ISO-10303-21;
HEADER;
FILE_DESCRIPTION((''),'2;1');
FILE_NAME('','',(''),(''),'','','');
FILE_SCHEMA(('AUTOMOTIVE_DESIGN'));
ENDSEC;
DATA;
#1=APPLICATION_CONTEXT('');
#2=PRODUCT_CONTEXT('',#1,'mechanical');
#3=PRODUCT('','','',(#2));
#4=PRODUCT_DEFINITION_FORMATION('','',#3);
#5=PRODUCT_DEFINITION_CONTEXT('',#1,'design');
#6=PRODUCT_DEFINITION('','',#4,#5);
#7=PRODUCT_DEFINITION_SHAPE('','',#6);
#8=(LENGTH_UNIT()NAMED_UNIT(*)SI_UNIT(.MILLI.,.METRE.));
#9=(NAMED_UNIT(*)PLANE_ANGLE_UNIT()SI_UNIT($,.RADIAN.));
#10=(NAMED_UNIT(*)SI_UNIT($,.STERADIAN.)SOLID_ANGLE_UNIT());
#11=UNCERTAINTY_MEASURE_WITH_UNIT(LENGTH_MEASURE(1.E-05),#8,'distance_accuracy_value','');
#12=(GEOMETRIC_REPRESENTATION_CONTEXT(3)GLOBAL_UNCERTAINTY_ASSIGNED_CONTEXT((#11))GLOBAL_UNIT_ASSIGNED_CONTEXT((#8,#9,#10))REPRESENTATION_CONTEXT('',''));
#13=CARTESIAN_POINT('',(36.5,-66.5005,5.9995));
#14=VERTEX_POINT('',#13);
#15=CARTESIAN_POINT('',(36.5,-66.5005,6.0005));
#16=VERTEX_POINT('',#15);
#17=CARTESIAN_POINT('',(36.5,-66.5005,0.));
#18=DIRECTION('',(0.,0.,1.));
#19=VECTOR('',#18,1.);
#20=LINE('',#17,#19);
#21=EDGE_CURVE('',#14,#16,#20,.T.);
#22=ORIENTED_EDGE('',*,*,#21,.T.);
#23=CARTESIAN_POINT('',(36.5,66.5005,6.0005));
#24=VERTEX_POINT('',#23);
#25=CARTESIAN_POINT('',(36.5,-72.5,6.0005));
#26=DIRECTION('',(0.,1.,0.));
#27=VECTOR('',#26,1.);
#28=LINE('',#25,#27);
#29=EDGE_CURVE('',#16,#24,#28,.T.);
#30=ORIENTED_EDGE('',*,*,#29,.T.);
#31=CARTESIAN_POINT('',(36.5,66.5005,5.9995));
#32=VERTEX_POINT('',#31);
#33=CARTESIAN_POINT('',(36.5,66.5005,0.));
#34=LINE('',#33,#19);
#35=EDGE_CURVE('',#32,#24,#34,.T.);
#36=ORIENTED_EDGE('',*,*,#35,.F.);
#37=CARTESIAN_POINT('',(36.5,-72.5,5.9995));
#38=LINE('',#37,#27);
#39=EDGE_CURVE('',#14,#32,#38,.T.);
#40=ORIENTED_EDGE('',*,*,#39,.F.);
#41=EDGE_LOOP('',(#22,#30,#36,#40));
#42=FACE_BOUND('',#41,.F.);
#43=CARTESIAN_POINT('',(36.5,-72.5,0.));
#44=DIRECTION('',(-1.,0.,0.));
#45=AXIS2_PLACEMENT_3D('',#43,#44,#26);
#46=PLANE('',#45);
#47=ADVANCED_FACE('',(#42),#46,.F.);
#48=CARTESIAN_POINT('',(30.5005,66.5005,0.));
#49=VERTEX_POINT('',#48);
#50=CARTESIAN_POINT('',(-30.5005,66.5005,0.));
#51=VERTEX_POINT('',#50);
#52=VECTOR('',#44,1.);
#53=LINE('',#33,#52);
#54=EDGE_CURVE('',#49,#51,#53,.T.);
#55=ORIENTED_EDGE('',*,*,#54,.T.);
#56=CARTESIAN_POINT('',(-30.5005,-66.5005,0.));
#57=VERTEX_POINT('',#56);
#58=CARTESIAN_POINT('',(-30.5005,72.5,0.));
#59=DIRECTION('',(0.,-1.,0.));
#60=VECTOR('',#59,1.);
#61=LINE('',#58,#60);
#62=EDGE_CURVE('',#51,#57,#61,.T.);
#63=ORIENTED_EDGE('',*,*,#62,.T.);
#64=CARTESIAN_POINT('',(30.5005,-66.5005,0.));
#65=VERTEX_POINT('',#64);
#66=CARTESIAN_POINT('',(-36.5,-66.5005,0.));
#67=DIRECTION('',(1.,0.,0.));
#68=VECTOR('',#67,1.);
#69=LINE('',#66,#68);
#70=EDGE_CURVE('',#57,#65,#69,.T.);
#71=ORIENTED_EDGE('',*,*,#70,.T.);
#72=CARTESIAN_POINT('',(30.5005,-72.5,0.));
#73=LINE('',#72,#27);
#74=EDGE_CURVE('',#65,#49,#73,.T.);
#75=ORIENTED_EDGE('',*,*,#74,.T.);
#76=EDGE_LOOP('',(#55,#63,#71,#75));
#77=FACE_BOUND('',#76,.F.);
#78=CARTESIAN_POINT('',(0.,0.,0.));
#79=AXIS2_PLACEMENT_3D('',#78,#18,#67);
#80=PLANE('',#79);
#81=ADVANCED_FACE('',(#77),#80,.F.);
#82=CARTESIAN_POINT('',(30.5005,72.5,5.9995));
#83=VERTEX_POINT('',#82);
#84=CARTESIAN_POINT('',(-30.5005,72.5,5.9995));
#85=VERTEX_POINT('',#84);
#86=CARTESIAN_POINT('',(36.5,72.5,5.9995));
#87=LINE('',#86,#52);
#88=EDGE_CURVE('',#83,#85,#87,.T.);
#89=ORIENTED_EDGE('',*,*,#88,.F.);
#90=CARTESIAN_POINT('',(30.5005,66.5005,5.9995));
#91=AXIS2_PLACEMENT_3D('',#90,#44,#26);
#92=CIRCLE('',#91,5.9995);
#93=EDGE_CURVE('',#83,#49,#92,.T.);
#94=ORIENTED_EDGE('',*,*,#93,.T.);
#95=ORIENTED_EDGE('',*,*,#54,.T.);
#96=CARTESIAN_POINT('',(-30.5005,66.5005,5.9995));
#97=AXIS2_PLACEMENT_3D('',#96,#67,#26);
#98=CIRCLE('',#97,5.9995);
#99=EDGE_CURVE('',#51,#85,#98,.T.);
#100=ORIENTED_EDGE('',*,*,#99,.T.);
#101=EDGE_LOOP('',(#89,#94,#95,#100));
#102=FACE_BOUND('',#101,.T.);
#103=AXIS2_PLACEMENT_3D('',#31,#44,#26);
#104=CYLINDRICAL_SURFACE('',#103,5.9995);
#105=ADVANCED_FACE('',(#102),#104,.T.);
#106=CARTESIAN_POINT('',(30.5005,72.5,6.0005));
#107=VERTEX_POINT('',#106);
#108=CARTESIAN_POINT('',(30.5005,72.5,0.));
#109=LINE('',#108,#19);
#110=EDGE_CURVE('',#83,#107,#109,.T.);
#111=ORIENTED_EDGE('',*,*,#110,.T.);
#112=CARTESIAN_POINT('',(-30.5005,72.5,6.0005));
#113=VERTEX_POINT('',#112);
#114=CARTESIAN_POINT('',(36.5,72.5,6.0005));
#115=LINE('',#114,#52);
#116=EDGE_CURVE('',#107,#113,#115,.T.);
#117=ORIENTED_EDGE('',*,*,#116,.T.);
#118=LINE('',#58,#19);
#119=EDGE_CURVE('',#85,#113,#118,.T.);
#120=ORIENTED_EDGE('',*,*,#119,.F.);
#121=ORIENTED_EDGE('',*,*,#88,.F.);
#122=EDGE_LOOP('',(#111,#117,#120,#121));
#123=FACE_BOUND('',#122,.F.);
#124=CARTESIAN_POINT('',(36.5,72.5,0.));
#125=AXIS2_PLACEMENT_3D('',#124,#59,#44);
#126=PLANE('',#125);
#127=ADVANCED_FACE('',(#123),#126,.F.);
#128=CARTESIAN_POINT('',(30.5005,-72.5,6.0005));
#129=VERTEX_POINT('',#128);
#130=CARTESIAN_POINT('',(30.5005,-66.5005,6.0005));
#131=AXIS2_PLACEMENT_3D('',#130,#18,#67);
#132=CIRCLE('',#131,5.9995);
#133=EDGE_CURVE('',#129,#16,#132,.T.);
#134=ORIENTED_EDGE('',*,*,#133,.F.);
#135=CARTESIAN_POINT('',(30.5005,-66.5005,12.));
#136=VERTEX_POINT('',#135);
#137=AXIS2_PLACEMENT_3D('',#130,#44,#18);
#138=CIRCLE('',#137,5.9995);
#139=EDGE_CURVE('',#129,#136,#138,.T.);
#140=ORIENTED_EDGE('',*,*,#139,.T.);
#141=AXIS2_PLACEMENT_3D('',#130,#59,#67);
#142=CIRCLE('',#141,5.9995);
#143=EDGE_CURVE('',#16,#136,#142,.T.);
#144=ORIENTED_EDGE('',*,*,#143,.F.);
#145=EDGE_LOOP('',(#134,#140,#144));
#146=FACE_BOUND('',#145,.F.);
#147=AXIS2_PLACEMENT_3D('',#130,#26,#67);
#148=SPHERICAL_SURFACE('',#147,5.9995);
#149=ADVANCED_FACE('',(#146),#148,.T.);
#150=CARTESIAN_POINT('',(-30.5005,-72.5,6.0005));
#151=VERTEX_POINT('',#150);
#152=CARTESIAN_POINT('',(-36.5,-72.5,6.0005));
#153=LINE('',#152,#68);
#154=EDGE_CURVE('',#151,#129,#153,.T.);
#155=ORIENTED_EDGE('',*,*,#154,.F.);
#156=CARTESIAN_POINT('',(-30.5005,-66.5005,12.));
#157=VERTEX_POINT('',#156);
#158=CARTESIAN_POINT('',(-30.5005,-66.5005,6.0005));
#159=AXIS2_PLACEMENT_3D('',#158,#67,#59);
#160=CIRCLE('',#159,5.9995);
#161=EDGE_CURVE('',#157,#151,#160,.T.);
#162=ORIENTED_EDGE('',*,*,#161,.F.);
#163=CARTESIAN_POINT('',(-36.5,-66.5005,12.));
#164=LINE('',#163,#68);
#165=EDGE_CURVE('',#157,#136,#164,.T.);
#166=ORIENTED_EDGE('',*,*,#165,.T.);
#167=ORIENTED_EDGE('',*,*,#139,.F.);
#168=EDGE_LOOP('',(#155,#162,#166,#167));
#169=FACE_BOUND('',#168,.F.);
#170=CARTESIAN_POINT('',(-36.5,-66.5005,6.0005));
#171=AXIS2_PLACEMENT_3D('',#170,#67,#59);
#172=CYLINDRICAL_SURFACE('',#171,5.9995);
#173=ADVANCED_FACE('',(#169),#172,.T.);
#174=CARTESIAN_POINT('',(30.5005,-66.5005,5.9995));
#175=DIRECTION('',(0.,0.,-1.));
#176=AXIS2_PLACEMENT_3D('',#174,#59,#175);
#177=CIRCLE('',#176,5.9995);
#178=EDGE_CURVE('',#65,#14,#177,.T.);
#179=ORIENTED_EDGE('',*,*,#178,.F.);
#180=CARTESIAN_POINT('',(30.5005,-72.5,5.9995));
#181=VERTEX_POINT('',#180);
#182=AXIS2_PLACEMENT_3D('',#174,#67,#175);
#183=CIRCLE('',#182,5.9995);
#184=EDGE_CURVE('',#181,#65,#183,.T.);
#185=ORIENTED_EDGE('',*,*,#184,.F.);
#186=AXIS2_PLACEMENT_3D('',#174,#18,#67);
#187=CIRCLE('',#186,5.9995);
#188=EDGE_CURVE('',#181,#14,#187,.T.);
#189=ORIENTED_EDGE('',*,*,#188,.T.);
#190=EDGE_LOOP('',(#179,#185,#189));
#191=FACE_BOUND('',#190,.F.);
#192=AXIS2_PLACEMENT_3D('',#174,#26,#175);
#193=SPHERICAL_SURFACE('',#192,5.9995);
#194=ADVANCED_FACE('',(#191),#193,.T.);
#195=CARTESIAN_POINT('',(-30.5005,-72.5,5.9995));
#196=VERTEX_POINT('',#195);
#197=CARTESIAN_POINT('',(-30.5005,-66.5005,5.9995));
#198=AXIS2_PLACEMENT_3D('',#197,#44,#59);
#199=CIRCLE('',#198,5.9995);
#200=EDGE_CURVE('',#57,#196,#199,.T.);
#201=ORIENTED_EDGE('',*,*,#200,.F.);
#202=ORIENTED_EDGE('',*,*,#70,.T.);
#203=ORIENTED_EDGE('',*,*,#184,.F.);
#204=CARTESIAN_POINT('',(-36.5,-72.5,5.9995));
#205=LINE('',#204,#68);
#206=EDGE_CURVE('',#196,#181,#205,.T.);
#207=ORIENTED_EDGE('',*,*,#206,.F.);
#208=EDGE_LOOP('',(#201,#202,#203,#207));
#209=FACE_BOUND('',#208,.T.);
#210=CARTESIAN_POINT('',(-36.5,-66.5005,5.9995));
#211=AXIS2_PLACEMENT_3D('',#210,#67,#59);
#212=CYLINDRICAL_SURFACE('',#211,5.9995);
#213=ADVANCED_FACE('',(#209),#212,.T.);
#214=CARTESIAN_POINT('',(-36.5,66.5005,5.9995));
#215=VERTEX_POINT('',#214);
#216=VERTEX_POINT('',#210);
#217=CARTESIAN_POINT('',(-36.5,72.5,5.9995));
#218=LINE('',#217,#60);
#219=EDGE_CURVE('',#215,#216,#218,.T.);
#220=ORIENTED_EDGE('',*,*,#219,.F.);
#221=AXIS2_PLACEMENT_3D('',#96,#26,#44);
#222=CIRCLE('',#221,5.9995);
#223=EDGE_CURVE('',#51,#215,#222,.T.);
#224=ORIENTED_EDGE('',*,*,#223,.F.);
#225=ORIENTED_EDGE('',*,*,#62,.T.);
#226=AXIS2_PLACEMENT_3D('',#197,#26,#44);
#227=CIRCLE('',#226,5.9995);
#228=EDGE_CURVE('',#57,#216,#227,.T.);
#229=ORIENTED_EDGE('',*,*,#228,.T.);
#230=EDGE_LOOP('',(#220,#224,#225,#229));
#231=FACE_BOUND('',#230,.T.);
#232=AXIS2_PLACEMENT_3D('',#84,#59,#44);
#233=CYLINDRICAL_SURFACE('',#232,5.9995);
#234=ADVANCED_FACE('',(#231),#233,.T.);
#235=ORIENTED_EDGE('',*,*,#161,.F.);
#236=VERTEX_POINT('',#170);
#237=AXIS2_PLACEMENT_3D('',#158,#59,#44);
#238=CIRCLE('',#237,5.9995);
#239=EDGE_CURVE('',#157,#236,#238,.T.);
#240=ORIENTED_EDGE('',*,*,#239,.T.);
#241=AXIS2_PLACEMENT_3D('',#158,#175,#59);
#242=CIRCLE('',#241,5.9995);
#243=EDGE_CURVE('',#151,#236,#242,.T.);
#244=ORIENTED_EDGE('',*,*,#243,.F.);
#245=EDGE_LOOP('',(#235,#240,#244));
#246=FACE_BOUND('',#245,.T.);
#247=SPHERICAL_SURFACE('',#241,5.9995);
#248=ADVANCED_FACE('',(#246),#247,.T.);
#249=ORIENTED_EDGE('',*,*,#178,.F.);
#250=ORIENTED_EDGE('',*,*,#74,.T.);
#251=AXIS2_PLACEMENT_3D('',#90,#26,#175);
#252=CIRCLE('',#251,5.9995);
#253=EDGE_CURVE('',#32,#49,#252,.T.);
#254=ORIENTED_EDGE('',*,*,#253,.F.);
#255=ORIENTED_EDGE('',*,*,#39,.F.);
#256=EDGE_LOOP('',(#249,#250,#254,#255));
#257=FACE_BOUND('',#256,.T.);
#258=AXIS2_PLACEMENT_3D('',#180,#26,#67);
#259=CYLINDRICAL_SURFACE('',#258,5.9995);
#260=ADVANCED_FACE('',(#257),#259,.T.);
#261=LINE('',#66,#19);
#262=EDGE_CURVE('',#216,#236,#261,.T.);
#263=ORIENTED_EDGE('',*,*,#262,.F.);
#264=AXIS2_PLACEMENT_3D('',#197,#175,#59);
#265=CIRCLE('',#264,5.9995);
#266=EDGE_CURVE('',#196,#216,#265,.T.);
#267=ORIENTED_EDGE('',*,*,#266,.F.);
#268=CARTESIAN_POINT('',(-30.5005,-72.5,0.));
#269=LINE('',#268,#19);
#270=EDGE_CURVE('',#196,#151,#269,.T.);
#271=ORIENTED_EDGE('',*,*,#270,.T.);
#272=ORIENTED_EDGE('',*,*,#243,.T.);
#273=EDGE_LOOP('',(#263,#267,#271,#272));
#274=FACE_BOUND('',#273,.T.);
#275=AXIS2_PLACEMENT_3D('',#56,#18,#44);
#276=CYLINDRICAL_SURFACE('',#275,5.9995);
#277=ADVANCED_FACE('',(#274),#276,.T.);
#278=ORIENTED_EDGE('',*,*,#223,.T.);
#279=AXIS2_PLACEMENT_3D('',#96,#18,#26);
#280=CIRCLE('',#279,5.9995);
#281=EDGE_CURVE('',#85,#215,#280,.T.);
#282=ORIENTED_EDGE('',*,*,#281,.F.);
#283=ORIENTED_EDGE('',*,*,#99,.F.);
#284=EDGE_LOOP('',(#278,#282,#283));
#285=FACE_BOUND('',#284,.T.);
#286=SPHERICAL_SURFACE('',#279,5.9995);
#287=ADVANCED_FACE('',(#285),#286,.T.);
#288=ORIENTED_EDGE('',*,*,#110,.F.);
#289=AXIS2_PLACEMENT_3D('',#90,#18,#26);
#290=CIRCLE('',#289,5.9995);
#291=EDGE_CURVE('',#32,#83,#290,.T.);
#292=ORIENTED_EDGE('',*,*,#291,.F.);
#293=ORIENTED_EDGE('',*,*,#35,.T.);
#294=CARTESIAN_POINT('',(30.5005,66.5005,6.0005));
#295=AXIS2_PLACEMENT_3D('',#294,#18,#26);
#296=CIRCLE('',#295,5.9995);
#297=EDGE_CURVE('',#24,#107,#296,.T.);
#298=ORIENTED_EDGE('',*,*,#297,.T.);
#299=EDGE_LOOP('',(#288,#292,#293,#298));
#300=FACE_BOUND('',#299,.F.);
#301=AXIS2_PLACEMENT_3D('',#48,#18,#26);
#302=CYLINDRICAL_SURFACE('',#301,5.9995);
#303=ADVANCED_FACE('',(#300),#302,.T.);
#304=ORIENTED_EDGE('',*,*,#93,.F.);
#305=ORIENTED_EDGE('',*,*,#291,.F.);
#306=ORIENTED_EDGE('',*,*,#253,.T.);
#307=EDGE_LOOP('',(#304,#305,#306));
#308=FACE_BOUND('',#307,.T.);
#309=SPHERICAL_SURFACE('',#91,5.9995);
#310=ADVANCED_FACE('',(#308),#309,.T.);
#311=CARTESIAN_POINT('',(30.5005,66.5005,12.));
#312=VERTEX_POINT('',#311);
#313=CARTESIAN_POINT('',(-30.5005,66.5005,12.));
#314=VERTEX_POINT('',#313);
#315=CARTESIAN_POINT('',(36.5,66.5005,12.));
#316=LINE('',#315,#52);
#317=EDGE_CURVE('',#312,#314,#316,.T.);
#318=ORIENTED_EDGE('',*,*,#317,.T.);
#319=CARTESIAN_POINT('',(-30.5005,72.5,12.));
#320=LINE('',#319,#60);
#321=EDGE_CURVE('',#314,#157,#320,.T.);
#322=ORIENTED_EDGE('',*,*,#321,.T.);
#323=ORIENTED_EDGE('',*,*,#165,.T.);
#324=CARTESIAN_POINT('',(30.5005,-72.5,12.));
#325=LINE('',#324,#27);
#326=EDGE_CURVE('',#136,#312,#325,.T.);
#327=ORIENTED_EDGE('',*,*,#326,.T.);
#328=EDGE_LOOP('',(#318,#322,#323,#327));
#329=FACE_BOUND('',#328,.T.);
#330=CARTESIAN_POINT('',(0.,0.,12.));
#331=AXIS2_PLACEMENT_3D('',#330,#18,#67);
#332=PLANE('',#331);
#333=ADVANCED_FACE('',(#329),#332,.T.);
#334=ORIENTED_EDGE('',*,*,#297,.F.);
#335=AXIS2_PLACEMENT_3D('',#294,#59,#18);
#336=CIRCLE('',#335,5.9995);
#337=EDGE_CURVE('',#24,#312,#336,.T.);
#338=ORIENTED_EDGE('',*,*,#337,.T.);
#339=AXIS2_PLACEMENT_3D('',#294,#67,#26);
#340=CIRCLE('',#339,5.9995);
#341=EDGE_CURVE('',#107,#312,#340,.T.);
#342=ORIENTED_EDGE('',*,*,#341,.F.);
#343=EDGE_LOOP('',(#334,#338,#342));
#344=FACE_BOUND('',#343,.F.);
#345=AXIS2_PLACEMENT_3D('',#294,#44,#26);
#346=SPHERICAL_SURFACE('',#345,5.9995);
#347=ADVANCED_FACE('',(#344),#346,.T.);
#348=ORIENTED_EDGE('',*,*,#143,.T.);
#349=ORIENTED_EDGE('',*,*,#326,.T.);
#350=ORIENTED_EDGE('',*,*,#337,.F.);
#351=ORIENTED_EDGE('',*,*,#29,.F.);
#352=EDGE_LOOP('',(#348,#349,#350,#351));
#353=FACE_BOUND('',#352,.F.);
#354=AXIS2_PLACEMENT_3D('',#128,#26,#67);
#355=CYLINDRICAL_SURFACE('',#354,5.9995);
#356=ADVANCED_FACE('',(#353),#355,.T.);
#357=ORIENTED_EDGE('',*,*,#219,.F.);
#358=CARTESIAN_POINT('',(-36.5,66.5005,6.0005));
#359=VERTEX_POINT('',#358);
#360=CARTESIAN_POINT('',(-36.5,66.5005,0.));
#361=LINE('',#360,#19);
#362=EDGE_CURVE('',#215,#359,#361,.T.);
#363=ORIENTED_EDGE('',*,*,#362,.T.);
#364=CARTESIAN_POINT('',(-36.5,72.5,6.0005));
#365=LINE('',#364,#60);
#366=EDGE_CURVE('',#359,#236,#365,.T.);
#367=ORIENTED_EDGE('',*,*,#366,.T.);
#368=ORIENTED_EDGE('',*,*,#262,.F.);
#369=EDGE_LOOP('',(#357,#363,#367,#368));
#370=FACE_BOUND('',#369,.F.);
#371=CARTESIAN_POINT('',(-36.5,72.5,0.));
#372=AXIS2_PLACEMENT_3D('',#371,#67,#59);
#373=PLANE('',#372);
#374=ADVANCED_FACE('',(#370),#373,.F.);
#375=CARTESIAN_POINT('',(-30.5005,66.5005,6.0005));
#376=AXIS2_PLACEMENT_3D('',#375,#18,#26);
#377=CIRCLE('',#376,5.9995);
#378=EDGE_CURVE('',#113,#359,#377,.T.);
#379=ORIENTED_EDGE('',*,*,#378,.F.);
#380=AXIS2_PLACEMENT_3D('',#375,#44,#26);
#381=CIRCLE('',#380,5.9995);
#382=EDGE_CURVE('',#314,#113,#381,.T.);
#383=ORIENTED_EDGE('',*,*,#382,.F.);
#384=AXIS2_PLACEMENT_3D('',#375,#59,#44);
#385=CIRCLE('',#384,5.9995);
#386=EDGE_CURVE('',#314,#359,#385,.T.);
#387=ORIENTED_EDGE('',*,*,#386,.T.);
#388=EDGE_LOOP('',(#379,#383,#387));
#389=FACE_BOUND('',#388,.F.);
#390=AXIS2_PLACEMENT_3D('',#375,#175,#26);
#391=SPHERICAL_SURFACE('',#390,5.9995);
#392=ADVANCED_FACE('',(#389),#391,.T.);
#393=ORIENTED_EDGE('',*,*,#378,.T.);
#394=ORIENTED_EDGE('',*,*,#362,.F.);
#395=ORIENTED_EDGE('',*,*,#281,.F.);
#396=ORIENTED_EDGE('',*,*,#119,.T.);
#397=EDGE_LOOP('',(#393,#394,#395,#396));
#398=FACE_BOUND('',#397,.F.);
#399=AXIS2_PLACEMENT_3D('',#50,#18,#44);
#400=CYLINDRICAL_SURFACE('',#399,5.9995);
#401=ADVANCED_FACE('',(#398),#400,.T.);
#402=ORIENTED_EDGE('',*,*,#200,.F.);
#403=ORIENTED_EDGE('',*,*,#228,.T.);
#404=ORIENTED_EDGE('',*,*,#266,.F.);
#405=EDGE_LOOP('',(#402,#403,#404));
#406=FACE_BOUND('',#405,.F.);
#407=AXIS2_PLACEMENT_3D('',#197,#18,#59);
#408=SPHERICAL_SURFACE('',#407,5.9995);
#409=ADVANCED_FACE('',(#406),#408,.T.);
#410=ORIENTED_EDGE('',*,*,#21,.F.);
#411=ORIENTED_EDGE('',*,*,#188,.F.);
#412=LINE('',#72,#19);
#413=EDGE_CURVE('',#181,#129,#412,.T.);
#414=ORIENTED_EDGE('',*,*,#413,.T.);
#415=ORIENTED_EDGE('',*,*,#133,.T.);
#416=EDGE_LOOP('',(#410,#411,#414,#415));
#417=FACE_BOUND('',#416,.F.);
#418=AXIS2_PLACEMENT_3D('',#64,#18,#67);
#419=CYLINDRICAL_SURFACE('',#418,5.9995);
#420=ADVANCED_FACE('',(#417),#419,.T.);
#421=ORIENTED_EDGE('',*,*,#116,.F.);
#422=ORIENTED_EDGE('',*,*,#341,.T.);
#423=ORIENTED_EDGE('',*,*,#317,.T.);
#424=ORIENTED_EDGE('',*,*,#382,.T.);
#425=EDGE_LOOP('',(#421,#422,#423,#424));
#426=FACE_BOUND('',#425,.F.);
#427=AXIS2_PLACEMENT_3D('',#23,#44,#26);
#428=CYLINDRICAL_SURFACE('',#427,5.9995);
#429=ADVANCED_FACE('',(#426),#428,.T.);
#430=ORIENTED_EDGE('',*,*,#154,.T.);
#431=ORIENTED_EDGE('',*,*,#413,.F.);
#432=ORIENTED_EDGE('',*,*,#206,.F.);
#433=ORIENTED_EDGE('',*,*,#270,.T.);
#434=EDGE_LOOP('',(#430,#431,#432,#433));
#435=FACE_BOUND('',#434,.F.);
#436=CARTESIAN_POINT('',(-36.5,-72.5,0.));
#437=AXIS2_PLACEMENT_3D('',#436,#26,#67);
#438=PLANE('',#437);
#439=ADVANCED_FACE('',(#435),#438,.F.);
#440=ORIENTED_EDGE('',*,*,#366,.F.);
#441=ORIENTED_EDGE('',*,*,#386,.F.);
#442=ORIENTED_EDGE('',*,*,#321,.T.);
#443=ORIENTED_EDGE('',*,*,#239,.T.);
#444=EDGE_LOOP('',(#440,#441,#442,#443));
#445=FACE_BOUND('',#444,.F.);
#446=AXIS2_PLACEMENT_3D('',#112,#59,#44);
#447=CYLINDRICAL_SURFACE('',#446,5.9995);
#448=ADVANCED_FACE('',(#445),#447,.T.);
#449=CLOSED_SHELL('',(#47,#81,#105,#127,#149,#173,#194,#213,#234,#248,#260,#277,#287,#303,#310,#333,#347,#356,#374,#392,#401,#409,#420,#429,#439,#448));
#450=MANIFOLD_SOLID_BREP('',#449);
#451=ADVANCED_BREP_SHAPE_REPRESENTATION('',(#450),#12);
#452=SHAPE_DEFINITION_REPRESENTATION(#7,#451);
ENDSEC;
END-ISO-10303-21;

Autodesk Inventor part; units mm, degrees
ref_plane "YZ Plane" through (0, 0, 0) normal (1, 0, 0) x (0, 1, 0)
ref_plane "XZ Plane" through (0, 0, 0) normal (0, 1, 0) x (-1, 0, 0)
ref_plane "XY Plane" through (0, 0, 0) normal (0, 0, 1) x (1, 0, 0)
sketch "Sketch1" plane through (0, 0, 0) normal (0, 0, 1) x (1, 0, 0)
  line L0 (-36.5, -72.5) -> (36.5, -72.5)
  line L1 (36.5, -72.5) -> (36.5, 72.5)
  line L2 (36.5, 72.5) -> (-36.5, 72.5)
  line L3 (-36.5, 72.5) -> (-36.5, -72.5)
  line L4 (-36.5, -72.5) -> (36.5, 72.5) construction
  line L5 (36.5, -72.5) -> (-36.5, 72.5) construction
  point P0 (0, 0)
  dimension "d0" = 73
  dimension "d1" = 145
extrude "Extrusion1" add sketch "Sketch1" along normal blind 12
fillet "Fillet1" radius 6 12 edges at (-36.5, 72.5, 6) (0, 72.5, 0) (0, 72.5, 12) (36.5, 72.5, 6) (36.5, 0, 0) (36.5, 0, 12) (-36.5, -72.5, 6) (0, -72.5, 0) (36.5, -72.5, 6) (0, -72.5, 12) (-36.5, 0, 12) (-36.5, 0, 0)
properties part number "IphoneModel(Case)"
